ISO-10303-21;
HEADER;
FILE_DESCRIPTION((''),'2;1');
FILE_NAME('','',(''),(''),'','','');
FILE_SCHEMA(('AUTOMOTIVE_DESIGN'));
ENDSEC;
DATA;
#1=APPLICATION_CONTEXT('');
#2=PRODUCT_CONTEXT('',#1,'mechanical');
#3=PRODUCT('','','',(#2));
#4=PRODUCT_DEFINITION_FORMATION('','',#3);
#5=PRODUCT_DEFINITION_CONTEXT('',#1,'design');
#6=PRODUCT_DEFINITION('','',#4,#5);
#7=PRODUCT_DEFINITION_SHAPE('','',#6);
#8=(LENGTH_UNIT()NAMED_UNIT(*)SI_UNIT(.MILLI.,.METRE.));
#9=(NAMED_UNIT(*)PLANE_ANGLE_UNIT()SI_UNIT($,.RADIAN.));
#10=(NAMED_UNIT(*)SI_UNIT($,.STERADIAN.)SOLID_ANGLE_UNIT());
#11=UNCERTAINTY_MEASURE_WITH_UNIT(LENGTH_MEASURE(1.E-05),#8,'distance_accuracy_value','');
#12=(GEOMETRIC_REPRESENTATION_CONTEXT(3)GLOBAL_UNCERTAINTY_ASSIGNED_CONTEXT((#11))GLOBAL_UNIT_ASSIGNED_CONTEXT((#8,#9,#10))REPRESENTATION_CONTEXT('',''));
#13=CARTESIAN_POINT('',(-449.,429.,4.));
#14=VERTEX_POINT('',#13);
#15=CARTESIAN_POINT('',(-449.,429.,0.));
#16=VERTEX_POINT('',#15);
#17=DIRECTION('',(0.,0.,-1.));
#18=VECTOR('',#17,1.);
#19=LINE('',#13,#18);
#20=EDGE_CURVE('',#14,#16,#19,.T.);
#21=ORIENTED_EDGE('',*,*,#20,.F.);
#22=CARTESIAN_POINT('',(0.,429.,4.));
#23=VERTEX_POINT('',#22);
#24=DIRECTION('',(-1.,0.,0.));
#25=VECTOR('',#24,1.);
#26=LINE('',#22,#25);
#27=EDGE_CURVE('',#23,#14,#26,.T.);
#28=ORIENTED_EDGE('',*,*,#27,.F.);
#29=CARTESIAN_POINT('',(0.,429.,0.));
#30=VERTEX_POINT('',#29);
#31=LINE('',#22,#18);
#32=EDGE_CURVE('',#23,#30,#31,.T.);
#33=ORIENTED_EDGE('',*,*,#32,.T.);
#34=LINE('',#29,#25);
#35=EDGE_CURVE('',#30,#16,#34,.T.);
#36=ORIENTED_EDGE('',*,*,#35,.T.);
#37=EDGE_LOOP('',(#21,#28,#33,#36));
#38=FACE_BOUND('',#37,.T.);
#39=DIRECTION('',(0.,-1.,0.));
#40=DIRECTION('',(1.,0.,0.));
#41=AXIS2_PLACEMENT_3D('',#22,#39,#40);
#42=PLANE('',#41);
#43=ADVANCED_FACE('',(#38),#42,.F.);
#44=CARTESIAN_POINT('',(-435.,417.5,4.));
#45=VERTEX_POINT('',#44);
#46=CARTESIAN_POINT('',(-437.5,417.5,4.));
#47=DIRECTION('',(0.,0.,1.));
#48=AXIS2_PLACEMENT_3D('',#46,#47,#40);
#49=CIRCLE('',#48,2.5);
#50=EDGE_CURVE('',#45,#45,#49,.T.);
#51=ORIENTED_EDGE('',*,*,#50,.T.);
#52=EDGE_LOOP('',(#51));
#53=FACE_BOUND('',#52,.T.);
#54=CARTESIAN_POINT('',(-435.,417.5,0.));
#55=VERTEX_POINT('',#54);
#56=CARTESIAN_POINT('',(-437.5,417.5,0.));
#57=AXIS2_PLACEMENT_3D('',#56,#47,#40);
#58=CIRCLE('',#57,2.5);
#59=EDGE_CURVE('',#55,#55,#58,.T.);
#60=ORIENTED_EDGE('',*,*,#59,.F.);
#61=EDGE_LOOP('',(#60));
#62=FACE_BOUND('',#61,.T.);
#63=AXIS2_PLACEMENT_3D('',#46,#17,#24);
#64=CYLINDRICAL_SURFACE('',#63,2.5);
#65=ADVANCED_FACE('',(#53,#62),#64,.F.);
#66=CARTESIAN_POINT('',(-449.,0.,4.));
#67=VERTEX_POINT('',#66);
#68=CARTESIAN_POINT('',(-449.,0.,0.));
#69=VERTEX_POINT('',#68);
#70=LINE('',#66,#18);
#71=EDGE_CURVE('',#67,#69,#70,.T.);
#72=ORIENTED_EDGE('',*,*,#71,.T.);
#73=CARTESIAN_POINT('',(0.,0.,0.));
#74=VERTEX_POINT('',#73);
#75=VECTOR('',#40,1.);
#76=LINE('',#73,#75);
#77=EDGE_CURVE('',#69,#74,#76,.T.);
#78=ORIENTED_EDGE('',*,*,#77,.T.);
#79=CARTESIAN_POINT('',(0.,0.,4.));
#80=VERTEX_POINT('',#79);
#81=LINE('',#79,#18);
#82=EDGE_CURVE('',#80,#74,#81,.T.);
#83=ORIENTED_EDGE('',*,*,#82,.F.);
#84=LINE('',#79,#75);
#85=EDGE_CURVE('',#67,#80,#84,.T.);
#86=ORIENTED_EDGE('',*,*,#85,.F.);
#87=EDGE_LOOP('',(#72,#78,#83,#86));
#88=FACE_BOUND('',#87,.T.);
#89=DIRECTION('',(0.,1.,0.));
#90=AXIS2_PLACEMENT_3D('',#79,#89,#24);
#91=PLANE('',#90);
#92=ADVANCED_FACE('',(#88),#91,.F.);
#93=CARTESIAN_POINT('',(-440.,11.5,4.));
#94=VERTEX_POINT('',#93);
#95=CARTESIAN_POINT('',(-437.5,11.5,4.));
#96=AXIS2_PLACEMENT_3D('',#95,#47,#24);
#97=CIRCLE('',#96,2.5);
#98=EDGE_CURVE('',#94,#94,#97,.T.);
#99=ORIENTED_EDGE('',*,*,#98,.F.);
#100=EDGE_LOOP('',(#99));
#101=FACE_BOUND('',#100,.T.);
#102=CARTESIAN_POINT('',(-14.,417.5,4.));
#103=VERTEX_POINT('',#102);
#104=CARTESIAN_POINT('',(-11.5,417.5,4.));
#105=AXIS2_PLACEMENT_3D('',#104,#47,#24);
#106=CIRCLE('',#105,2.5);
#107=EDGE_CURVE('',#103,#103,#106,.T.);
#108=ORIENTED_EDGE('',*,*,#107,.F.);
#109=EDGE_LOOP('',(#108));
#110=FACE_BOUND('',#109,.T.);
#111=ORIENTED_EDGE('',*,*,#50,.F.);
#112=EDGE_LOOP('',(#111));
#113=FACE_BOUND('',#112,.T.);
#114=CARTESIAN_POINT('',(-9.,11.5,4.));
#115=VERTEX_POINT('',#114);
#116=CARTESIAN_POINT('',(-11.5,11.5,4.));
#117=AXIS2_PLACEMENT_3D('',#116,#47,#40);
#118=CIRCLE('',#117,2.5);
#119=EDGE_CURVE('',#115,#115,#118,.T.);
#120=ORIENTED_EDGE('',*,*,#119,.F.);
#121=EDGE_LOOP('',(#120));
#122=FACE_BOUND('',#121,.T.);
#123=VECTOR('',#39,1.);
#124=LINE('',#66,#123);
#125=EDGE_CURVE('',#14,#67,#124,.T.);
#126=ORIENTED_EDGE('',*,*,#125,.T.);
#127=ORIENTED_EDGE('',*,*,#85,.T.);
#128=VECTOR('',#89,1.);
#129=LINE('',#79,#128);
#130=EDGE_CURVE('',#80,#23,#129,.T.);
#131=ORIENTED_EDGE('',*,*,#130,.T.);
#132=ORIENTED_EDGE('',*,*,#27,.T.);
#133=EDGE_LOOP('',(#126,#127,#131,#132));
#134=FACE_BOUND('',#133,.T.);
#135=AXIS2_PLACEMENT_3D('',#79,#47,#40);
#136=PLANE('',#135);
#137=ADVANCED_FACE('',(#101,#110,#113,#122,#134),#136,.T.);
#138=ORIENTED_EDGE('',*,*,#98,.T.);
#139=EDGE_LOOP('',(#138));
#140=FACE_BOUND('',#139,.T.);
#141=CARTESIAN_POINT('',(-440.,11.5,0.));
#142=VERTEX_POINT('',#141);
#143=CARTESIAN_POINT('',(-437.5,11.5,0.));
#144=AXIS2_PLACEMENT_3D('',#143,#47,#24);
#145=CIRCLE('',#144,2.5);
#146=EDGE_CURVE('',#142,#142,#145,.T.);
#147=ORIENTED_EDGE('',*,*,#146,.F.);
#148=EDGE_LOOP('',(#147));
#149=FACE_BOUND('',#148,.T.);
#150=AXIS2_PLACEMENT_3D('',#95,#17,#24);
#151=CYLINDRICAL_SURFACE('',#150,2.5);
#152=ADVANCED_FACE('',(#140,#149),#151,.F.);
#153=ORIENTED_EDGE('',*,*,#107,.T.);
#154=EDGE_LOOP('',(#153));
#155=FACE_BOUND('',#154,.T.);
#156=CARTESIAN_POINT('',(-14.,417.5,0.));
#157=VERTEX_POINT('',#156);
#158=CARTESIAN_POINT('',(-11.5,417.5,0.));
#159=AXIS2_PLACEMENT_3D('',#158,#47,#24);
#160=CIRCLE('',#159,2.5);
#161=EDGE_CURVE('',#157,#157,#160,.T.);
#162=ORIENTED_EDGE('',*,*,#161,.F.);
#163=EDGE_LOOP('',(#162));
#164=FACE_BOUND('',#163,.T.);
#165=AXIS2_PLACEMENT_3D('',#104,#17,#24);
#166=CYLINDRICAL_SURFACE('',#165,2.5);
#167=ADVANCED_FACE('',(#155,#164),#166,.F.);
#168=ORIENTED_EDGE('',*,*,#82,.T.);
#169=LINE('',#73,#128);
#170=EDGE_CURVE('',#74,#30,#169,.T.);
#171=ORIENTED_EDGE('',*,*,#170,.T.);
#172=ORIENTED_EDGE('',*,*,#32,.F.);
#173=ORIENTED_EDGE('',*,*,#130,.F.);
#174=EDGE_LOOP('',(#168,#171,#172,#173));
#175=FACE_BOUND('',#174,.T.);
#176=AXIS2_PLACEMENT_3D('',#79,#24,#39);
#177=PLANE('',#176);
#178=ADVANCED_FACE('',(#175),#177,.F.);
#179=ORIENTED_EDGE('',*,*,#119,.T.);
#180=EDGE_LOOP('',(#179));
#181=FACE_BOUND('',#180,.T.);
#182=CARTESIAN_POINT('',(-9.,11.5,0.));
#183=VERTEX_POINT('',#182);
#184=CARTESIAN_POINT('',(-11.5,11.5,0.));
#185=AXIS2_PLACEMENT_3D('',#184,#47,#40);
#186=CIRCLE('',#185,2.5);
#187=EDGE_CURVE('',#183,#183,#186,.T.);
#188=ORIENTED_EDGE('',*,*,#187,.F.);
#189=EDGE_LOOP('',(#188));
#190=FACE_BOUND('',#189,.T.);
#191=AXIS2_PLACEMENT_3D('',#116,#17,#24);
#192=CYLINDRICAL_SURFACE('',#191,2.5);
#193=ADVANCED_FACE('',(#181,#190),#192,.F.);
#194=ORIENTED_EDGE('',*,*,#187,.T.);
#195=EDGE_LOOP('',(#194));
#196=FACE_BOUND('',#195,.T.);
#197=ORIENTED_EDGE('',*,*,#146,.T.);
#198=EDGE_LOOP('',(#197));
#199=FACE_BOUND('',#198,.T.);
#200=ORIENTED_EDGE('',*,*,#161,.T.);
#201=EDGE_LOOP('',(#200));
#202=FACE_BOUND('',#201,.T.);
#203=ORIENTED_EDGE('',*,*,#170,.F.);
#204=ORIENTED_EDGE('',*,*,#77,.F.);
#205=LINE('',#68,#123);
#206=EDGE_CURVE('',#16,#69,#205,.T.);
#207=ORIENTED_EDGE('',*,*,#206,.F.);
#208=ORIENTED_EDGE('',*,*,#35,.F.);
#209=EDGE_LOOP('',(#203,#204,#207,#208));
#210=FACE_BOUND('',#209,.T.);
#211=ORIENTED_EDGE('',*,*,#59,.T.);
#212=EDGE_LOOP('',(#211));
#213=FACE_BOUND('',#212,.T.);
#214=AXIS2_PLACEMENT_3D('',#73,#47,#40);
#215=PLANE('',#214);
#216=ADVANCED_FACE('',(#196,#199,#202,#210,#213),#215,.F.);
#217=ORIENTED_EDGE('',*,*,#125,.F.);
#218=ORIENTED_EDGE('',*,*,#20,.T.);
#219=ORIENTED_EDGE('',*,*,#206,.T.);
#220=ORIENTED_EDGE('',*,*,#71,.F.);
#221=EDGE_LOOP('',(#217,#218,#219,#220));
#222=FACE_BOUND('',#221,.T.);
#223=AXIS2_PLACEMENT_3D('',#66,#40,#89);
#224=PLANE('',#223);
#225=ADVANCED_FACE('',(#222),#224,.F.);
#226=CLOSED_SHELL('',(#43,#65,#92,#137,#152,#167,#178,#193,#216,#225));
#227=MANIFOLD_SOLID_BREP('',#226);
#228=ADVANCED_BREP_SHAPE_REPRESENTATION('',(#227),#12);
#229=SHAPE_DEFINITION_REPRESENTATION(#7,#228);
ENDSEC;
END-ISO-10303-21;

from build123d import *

# Parameters (mm, degrees)
SCHIZZO1_W                   = 449
SCHIZZO1_H                   = 429
SCHIZZO1_R                   = 2.5
ESTRUSIONE_ESTRUSIONE1_DEPTH = 4


with BuildPart() as part:
    # Schizzo1 → Estrusione-Estrusione1 (new body)
    with BuildSketch(Plane.XY):
        with Locations((-224.5, 214.5)):
            Rectangle(SCHIZZO1_W, SCHIZZO1_H)
        with Locations((-437.5, 417.5)):
            Circle(SCHIZZO1_R, mode=Mode.SUBTRACT)
        with Locations((-11.5, 417.5)):
            Circle(SCHIZZO1_R, mode=Mode.SUBTRACT)
        with Locations((-437.5, 11.5)):
            Circle(SCHIZZO1_R, mode=Mode.SUBTRACT)
        with Locations((-11.5, 11.5)):
            Circle(SCHIZZO1_R, mode=Mode.SUBTRACT)
    extrude(amount=ESTRUSIONE_ESTRUSIONE1_DEPTH)


solid = part.part
